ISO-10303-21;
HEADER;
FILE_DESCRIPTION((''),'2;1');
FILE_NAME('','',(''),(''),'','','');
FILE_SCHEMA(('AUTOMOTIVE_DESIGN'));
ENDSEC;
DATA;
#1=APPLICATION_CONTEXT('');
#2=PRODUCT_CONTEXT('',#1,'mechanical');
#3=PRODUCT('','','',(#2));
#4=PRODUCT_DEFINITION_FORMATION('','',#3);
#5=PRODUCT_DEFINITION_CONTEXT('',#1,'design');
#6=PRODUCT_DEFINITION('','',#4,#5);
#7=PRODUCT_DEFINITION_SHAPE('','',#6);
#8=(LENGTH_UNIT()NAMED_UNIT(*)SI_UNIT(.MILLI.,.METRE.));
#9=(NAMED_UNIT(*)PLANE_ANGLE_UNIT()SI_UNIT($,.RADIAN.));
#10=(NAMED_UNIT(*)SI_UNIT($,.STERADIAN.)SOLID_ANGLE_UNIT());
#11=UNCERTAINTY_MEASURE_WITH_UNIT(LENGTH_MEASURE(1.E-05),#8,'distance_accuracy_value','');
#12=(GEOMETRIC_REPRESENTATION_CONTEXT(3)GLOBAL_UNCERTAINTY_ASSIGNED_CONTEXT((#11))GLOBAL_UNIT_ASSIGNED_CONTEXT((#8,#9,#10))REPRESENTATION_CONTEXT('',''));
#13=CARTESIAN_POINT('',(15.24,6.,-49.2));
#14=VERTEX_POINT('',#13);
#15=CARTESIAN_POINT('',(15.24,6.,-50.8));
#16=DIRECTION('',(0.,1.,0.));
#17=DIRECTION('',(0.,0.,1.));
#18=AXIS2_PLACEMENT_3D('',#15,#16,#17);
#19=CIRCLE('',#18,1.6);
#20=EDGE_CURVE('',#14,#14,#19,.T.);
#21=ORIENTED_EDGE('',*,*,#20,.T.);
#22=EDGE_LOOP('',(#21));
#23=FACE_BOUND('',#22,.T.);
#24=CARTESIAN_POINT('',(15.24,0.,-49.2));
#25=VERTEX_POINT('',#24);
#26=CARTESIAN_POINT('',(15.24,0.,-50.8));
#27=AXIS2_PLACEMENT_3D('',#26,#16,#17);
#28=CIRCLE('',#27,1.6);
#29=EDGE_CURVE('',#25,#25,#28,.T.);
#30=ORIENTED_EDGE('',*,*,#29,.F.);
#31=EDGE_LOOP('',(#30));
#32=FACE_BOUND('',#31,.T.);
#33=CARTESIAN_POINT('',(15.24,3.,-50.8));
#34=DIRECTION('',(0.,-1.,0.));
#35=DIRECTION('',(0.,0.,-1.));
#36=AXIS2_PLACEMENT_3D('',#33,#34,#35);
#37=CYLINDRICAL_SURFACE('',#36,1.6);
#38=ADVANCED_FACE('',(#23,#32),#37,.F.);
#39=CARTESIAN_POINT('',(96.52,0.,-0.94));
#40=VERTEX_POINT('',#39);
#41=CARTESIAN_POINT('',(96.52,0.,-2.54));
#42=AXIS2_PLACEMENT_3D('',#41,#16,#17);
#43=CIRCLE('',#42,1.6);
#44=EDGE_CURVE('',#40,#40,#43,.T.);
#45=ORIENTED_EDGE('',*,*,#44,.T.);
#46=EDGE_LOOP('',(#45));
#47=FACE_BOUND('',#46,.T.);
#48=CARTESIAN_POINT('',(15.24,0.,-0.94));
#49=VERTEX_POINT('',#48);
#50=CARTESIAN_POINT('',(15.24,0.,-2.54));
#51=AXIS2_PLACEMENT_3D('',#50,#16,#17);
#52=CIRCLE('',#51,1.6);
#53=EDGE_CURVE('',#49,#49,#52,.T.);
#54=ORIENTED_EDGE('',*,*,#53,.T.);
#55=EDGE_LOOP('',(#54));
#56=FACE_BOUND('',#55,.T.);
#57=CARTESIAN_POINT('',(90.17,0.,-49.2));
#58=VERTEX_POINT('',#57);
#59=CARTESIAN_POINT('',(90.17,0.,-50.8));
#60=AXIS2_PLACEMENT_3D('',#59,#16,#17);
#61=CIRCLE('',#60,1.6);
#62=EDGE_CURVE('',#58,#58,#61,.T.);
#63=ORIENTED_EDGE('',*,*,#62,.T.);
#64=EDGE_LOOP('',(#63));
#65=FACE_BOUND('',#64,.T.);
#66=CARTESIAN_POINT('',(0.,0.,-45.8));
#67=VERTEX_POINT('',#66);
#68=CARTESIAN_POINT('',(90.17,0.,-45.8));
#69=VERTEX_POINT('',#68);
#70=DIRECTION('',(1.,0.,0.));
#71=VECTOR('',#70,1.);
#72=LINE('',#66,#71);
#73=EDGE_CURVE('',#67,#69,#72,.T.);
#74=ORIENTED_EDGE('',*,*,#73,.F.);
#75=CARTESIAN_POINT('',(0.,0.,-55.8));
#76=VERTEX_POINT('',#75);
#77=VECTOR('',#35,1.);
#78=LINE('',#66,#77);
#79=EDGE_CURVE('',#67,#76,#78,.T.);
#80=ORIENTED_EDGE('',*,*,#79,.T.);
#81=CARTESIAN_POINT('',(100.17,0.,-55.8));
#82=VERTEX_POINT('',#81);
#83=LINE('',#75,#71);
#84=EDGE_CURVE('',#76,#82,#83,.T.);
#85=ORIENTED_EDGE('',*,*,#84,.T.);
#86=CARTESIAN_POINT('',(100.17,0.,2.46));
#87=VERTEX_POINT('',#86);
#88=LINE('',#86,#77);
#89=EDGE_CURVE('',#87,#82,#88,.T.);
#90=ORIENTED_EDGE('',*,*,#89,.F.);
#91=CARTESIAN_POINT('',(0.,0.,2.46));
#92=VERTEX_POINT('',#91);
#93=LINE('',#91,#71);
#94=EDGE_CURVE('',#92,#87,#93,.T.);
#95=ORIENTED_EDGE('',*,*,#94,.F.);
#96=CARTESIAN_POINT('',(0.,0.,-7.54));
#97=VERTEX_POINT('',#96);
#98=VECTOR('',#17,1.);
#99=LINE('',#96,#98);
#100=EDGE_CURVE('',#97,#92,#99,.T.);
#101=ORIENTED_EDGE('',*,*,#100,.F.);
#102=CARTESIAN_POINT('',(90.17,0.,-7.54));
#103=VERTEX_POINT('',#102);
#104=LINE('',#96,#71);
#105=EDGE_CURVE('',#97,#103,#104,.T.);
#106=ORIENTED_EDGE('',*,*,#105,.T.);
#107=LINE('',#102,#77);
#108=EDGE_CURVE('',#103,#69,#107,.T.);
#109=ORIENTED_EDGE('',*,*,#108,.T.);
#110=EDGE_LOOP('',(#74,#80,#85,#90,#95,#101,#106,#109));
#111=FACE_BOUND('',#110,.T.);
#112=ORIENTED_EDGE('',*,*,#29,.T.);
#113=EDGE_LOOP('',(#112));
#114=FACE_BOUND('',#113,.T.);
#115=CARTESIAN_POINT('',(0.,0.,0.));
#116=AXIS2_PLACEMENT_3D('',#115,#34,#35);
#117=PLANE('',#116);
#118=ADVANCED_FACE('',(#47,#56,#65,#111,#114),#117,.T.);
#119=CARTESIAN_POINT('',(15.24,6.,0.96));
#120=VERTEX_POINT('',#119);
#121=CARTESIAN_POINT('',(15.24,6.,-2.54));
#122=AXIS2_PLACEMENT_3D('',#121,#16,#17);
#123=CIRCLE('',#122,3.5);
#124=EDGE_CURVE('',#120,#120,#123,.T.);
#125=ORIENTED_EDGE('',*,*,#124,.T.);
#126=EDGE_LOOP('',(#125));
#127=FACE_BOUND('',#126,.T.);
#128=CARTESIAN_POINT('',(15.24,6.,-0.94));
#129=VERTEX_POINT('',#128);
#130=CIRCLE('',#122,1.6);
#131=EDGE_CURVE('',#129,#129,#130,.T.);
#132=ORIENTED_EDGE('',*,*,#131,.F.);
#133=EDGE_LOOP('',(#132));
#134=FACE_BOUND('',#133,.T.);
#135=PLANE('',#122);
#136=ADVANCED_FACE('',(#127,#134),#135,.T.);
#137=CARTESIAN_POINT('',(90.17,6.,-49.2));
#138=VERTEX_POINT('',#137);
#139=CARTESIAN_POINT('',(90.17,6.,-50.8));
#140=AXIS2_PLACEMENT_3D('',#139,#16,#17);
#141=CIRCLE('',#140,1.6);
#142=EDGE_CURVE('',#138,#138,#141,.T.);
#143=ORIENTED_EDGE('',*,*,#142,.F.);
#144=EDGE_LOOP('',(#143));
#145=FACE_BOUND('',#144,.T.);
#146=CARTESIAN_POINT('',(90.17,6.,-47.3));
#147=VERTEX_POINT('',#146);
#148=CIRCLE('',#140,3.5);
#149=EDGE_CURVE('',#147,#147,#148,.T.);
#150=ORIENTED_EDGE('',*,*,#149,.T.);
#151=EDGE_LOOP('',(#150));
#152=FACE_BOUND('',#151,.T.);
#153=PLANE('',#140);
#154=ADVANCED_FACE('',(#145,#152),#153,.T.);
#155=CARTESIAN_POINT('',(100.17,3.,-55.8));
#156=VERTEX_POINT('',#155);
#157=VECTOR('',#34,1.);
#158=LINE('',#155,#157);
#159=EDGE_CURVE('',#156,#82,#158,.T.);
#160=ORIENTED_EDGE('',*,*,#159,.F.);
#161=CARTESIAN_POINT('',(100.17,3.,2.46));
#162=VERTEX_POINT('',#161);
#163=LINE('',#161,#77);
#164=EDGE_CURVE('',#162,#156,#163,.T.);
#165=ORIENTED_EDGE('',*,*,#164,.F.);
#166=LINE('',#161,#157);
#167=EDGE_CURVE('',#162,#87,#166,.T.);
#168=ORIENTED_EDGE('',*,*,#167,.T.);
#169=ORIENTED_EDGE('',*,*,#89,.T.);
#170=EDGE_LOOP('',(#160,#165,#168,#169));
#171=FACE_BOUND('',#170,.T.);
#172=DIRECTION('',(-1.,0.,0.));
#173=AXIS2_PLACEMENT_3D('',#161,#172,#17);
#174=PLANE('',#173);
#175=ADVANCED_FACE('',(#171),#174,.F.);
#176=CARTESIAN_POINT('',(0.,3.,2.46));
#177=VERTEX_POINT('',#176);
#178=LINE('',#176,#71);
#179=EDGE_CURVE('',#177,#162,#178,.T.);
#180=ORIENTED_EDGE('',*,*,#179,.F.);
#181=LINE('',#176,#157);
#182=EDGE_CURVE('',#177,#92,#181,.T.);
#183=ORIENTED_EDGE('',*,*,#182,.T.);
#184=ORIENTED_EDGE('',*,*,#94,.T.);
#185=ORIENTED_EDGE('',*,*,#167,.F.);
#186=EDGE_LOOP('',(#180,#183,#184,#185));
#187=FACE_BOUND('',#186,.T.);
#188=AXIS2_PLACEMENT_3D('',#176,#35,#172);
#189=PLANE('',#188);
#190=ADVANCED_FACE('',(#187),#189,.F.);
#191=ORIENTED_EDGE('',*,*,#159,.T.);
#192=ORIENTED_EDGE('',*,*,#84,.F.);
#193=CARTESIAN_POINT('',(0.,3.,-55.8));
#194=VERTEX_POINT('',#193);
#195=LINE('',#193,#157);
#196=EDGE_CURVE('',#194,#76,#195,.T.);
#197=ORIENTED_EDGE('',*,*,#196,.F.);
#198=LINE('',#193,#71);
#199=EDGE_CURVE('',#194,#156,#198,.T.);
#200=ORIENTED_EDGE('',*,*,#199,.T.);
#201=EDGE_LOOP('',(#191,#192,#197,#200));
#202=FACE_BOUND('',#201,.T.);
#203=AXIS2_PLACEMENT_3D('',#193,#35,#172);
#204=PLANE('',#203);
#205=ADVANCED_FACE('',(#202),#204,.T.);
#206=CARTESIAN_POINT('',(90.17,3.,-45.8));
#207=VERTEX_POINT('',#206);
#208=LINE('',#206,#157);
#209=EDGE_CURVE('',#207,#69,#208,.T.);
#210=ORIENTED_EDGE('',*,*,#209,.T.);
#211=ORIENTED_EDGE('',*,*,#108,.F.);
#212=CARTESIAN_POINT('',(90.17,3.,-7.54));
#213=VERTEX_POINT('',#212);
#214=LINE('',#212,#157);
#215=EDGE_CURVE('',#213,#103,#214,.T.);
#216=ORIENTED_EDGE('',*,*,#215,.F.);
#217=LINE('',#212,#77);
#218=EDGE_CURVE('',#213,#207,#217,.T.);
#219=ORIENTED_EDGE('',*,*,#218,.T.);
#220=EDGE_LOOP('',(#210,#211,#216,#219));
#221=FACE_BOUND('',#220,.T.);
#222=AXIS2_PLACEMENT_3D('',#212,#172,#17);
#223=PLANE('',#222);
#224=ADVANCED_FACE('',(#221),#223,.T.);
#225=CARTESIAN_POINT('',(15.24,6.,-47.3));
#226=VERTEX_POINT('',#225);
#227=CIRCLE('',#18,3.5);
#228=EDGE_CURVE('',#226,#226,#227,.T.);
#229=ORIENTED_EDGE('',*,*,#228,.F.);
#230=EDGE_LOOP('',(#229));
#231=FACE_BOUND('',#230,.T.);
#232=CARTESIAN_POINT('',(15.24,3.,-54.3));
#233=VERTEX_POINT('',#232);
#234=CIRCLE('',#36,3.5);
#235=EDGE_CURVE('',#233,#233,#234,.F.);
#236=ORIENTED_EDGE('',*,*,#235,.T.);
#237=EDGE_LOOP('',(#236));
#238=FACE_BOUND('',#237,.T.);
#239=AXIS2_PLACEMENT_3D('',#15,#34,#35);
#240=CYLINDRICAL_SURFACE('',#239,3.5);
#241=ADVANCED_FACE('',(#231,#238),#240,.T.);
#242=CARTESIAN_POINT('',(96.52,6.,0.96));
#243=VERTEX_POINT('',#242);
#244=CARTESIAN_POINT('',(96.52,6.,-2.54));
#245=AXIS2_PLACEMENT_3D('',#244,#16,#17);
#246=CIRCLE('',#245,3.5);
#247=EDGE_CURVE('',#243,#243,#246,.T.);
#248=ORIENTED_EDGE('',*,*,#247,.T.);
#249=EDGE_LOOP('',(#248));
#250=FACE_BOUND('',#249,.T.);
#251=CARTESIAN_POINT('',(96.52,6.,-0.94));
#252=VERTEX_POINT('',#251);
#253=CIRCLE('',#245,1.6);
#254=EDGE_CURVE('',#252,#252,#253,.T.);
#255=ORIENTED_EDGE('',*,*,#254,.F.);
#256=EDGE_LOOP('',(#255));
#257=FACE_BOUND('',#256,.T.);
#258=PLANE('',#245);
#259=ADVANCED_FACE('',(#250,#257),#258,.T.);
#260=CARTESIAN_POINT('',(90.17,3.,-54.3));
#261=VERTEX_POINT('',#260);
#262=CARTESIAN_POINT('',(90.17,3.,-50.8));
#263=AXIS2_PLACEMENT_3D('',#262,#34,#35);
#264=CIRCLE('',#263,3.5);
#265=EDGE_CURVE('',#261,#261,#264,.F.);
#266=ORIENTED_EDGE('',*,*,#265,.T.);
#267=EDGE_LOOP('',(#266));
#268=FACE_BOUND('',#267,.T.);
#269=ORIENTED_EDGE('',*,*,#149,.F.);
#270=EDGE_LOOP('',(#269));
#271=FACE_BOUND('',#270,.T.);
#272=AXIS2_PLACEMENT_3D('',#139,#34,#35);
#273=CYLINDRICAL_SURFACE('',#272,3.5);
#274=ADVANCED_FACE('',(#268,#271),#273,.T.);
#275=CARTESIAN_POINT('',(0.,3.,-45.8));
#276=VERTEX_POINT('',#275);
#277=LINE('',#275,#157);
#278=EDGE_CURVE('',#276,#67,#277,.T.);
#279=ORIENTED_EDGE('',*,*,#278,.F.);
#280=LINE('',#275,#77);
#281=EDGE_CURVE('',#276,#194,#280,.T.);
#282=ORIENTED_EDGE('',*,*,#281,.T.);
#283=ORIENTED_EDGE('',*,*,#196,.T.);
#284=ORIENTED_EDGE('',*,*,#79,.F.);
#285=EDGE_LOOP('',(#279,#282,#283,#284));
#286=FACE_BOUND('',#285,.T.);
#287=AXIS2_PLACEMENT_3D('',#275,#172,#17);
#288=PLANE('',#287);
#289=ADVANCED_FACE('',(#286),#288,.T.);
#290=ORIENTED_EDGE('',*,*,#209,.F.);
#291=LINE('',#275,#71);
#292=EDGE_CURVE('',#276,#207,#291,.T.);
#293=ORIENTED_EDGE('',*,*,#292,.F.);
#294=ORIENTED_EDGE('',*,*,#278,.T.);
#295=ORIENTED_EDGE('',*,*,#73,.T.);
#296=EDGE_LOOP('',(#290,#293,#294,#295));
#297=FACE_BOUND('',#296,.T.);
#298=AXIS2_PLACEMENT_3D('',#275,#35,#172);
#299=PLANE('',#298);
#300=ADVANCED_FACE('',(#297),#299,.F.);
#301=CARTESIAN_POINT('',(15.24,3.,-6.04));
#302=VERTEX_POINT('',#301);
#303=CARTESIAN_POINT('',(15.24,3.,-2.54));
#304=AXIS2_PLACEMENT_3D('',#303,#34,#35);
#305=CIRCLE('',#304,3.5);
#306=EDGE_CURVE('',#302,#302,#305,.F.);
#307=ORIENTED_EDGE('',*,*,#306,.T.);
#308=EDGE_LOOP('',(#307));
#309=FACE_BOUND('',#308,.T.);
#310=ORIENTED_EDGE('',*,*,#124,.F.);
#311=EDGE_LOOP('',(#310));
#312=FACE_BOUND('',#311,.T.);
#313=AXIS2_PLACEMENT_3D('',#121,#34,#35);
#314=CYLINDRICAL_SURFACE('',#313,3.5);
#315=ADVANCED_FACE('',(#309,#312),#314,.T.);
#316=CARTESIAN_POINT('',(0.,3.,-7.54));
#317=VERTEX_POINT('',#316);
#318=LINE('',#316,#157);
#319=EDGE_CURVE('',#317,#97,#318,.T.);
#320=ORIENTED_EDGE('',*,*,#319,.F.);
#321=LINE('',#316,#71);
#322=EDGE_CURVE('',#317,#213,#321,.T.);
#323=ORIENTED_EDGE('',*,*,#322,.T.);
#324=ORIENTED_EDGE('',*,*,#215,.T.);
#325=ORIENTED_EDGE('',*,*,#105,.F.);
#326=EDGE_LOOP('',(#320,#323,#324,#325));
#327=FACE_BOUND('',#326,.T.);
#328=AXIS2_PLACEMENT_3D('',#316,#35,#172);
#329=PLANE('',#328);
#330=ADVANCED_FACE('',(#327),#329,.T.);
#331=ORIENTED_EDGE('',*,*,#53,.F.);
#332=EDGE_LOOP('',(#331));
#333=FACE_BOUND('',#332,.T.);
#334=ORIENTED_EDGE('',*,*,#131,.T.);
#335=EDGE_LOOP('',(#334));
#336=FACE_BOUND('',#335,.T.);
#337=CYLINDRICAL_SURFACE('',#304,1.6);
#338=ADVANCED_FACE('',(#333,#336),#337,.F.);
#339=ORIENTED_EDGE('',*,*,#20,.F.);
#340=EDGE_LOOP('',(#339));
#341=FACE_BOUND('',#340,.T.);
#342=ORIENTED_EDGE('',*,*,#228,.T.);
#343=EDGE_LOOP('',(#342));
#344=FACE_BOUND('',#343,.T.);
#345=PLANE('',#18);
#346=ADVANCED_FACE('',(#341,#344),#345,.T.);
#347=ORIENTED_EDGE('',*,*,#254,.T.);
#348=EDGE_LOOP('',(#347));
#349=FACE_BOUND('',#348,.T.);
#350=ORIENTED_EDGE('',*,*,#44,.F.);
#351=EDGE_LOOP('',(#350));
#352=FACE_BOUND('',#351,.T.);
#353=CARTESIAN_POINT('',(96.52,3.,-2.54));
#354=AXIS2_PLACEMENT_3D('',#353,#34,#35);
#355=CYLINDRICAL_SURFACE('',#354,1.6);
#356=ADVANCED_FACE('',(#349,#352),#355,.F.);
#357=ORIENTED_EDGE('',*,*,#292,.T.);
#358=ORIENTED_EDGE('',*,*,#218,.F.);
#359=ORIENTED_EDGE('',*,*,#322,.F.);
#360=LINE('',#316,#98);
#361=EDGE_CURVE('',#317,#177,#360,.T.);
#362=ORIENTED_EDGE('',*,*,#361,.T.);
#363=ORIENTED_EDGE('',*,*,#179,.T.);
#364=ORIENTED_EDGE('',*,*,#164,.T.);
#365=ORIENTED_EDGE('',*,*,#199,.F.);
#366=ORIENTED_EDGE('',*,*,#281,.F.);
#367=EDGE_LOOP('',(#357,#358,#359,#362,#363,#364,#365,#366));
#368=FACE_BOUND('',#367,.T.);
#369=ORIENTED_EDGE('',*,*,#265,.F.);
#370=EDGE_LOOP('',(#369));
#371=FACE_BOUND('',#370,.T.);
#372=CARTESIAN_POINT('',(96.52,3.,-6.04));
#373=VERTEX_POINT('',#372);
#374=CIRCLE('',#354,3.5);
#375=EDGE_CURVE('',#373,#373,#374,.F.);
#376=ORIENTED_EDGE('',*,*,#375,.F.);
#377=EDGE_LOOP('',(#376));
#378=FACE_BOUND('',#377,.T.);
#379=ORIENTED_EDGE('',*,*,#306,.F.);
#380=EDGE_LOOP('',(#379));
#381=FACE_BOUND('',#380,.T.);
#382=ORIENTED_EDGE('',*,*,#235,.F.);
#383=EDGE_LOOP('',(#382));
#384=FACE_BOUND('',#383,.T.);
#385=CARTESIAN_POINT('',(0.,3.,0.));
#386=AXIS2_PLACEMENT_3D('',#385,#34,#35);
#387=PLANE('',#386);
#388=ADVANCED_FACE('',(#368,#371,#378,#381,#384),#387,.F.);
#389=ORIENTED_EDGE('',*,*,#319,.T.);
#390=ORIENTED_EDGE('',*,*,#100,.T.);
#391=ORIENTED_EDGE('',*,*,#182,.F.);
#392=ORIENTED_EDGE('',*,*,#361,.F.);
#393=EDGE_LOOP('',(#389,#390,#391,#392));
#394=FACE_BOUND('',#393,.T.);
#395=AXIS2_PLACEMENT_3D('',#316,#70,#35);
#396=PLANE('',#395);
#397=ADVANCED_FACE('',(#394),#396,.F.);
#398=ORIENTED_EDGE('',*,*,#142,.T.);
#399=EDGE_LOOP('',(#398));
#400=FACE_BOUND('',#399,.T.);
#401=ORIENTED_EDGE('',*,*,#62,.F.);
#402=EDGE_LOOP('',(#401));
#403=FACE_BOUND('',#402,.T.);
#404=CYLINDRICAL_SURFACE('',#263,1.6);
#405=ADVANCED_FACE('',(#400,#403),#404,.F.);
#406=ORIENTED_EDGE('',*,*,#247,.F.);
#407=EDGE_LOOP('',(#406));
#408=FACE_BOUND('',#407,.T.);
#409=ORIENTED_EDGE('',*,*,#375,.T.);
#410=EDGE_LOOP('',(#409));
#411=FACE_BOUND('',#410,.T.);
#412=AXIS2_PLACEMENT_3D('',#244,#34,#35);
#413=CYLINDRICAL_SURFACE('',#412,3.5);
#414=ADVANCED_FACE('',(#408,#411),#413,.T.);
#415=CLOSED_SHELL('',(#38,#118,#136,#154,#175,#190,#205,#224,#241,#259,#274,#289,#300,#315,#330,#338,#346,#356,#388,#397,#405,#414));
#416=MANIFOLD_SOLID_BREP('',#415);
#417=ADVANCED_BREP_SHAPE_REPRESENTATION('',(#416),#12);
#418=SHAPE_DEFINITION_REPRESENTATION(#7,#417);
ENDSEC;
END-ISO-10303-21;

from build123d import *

# Parameters (mm, degrees)
SKETCH1_R           = 1.6
BOSS_EXTRUDE1_DEPTH = 3
SKETCH2_R           = 3.5
SKETCH2_R_2         = 1.6
BOSS_EXTRUDE2_DEPTH = 3


with BuildPart() as part:
    # Sketch1 → Boss-Extrude1 (new body)
    with BuildSketch(Plane(origin=(0, 0, 0), x_dir=(1, 0, 0), z_dir=(0, 1, 0))):
        Polygon((0, 7.54), (90.17, 7.54), (90.17, 45.8), (0, 45.8), (0, 55.8), (100.17, 55.8), (100.17, -2.46), (0, -2.46), align=None)
        with Locations((15.24, 2.54)):
            Circle(SKETCH1_R, mode=Mode.SUBTRACT)
        with Locations((96.52, 2.54)):
            Circle(SKETCH1_R, mode=Mode.SUBTRACT)
        with Locations((15.24, 50.8)):
            Circle(SKETCH1_R, mode=Mode.SUBTRACT)
        with Locations((90.17, 50.8)):
            Circle(SKETCH1_R, mode=Mode.SUBTRACT)
    extrude(amount=BOSS_EXTRUDE1_DEPTH)

    # Sketch2 → Boss-Extrude2 (add)
    with BuildSketch(Plane(origin=(0, 3, 0), x_dir=(1, 0, 0), z_dir=(0, 1, 0))):
        with Locations((15.24, 50.8)):
            Circle(SKETCH2_R)
        with Locations((15.24, 50.8)):
            Circle(SKETCH2_R_2, mode=Mode.SUBTRACT)
        with Locations((90.17, 50.8)):
            Circle(SKETCH2_R)
        with Locations((90.17, 50.8)):
            Circle(SKETCH2_R_2, mode=Mode.SUBTRACT)
        with Locations((96.52, 2.54)):
            Circle(SKETCH2_R)
        with Locations((96.52, 2.54)):
            Circle(SKETCH2_R_2, mode=Mode.SUBTRACT)
        with Locations((15.24, 2.54)):
            Circle(SKETCH2_R)
        with Locations((15.24, 2.54)):
            Circle(SKETCH2_R_2, mode=Mode.SUBTRACT)
    extrude(amount=BOSS_EXTRUDE2_DEPTH)


solid = part.part
